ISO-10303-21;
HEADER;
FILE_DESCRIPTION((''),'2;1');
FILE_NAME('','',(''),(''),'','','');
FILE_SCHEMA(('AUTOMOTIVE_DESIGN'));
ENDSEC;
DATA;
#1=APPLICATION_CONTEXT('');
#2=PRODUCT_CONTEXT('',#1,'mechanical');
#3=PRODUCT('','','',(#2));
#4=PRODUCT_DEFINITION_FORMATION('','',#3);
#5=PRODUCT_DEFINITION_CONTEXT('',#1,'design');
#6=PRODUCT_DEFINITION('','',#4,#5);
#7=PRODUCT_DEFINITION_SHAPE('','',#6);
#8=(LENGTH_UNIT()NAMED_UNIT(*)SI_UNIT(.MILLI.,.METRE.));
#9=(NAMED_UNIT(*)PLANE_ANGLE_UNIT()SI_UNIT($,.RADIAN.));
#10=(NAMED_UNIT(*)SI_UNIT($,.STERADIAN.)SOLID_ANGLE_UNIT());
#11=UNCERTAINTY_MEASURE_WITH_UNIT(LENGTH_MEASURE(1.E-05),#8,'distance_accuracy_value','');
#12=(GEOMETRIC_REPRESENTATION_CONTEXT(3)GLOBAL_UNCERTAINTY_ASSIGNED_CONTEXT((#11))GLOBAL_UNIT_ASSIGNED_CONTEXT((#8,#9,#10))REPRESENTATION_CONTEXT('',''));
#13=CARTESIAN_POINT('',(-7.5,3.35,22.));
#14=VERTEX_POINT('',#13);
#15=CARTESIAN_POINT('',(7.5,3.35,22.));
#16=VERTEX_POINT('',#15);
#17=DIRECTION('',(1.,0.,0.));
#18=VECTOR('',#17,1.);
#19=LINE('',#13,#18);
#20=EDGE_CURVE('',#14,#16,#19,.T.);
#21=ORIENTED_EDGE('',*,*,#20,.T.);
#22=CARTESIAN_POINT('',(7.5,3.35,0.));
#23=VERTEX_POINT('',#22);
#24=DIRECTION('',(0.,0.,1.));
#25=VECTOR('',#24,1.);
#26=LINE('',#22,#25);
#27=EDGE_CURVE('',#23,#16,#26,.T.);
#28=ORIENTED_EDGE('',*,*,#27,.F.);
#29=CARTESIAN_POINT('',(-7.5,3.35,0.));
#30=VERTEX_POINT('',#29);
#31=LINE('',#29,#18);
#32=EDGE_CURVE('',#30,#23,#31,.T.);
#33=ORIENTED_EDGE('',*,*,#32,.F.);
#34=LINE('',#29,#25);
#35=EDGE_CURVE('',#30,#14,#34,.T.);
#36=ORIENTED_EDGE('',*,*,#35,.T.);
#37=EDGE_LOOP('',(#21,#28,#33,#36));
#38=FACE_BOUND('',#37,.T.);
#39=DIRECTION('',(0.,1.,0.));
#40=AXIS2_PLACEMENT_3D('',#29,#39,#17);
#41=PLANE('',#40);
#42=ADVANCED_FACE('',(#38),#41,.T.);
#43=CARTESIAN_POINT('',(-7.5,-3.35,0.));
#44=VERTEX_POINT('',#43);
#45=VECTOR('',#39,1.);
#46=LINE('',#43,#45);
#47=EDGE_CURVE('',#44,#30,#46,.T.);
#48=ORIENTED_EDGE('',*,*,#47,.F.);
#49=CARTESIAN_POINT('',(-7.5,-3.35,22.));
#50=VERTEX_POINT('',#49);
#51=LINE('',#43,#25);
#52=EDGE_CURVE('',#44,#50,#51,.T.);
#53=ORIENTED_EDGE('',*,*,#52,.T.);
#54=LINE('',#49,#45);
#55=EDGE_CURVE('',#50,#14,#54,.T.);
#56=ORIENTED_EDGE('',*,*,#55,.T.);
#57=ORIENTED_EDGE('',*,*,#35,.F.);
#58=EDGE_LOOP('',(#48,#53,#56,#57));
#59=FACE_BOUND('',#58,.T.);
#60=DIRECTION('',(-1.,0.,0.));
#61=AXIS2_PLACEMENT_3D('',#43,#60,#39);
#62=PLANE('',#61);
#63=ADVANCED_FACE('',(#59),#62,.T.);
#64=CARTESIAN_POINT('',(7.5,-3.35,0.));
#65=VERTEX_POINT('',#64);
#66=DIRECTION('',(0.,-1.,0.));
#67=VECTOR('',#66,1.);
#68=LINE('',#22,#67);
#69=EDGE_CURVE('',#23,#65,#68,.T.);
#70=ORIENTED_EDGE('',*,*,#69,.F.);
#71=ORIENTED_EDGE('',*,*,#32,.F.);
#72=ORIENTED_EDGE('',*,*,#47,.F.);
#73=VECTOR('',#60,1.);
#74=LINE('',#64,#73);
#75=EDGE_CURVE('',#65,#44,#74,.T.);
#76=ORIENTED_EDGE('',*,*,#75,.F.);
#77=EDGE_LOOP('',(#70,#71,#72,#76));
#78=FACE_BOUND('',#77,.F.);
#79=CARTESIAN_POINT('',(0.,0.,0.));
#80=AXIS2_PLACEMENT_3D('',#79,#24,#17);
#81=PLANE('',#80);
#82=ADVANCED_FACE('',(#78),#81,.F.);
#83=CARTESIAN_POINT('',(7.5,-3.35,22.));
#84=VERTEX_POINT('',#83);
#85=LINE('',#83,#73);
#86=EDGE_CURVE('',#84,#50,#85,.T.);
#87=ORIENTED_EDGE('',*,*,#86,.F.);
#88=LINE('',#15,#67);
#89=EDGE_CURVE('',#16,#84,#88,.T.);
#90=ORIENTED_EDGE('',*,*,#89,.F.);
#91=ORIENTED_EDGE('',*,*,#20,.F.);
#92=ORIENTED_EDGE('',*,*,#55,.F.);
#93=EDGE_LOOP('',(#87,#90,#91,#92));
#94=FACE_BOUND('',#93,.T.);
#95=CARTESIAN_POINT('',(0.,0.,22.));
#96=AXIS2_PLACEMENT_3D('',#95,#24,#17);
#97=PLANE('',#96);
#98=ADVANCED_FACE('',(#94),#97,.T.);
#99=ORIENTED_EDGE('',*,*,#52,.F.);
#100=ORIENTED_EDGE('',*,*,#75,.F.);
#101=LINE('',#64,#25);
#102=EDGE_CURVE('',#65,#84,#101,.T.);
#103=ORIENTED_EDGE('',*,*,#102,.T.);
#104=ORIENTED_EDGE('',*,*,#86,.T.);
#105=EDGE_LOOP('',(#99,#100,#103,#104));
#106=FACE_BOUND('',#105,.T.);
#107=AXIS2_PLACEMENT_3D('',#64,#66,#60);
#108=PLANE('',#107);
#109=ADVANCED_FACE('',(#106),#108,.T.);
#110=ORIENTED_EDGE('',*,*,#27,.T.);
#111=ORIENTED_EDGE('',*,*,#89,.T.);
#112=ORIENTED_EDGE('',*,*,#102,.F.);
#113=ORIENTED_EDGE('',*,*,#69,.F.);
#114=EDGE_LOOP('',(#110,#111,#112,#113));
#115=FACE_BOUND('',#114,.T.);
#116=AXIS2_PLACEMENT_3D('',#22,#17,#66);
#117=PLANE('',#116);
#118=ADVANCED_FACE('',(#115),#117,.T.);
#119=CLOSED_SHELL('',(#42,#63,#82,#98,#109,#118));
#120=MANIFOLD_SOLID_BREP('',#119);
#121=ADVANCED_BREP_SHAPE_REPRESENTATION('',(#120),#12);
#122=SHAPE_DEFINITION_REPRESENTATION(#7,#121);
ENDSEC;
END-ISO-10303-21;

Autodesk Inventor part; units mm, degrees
ref_plane "YZ Plane" through (0, 0, 0) normal (1, 0, 0) x (0, 1, 0)
ref_plane "XZ Plane" through (0, 0, 0) normal (0, 1, 0) x (-1, 0, 0)
ref_plane "XY Plane" through (0, 0, 0) normal (0, 0, 1) x (1, 0, 0)
sketch "スケッチ1" plane through (0, 0, 0) normal (0, 0, 1) x (1, 0, 0)
  line L0 (-7.5, 3.35) -> (7.5, 3.35)
  line L1 (7.5, 3.35) -> (7.5, -3.35)
  line L2 (7.5, -3.35) -> (-7.5, -3.35)
  line L3 (-7.5, -3.35) -> (-7.5, 3.35)
  line L4 (-7.5, 3.35) -> (7.5, -3.35) construction
  line L5 (7.5, 3.35) -> (-7.5, -3.35) construction
  point P0 (0, 0)
  dimension "d0" = 15
  dimension "d1" = 6.7
extrude "押し出し1" add sketch "スケッチ1" along normal blind 22
properties part number "Lipo-1C-FX100C"
